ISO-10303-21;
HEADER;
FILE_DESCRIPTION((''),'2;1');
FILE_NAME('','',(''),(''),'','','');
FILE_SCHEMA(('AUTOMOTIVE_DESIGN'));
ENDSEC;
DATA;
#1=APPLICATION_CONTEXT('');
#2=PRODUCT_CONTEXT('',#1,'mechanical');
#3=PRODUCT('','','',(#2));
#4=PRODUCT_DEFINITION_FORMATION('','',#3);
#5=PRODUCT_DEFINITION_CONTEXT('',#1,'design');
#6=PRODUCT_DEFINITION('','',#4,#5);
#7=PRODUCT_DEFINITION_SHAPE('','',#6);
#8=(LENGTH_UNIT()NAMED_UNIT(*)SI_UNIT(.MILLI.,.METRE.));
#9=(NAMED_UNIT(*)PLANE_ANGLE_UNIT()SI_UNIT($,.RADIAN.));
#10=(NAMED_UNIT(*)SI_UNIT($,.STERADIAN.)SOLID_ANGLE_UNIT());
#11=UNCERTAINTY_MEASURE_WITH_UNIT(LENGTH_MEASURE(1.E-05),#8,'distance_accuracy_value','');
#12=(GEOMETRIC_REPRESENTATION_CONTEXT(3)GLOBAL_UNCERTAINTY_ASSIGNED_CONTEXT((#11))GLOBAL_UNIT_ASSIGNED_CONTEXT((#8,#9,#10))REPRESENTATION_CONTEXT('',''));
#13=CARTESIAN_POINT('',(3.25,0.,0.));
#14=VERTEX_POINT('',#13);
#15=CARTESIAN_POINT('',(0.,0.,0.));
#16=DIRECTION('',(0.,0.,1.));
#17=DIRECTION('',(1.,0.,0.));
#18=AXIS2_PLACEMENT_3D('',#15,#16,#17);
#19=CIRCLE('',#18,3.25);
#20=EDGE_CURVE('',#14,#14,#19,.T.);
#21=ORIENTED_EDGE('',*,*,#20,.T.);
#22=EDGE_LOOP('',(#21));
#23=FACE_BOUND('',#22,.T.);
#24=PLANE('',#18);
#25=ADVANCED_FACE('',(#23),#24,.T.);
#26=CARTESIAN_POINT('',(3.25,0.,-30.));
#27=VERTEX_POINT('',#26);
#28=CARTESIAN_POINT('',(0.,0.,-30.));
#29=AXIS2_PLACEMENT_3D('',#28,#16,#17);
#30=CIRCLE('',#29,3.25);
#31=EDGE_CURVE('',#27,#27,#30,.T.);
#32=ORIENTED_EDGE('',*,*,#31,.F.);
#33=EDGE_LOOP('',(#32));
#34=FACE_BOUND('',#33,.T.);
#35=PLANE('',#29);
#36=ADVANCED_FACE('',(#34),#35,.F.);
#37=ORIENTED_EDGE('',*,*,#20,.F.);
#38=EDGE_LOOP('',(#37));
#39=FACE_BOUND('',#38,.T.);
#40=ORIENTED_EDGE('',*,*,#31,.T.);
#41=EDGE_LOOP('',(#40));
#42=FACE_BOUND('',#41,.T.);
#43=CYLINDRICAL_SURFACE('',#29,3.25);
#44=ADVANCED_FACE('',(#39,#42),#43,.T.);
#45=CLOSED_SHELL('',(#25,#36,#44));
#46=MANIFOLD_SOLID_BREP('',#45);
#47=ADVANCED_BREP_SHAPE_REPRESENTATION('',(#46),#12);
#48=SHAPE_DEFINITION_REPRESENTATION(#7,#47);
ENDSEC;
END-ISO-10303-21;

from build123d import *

# Parameters (mm, degrees)
SKETCH1_R           = 3.25
BOSS_EXTRUDE1_DEPTH = 30


with BuildPart() as part:
    # Sketch1 → Boss-Extrude1 (new body)
    with BuildSketch(Plane.XY):
        Circle(SKETCH1_R)
    extrude(amount=-BOSS_EXTRUDE1_DEPTH)


solid = part.part
